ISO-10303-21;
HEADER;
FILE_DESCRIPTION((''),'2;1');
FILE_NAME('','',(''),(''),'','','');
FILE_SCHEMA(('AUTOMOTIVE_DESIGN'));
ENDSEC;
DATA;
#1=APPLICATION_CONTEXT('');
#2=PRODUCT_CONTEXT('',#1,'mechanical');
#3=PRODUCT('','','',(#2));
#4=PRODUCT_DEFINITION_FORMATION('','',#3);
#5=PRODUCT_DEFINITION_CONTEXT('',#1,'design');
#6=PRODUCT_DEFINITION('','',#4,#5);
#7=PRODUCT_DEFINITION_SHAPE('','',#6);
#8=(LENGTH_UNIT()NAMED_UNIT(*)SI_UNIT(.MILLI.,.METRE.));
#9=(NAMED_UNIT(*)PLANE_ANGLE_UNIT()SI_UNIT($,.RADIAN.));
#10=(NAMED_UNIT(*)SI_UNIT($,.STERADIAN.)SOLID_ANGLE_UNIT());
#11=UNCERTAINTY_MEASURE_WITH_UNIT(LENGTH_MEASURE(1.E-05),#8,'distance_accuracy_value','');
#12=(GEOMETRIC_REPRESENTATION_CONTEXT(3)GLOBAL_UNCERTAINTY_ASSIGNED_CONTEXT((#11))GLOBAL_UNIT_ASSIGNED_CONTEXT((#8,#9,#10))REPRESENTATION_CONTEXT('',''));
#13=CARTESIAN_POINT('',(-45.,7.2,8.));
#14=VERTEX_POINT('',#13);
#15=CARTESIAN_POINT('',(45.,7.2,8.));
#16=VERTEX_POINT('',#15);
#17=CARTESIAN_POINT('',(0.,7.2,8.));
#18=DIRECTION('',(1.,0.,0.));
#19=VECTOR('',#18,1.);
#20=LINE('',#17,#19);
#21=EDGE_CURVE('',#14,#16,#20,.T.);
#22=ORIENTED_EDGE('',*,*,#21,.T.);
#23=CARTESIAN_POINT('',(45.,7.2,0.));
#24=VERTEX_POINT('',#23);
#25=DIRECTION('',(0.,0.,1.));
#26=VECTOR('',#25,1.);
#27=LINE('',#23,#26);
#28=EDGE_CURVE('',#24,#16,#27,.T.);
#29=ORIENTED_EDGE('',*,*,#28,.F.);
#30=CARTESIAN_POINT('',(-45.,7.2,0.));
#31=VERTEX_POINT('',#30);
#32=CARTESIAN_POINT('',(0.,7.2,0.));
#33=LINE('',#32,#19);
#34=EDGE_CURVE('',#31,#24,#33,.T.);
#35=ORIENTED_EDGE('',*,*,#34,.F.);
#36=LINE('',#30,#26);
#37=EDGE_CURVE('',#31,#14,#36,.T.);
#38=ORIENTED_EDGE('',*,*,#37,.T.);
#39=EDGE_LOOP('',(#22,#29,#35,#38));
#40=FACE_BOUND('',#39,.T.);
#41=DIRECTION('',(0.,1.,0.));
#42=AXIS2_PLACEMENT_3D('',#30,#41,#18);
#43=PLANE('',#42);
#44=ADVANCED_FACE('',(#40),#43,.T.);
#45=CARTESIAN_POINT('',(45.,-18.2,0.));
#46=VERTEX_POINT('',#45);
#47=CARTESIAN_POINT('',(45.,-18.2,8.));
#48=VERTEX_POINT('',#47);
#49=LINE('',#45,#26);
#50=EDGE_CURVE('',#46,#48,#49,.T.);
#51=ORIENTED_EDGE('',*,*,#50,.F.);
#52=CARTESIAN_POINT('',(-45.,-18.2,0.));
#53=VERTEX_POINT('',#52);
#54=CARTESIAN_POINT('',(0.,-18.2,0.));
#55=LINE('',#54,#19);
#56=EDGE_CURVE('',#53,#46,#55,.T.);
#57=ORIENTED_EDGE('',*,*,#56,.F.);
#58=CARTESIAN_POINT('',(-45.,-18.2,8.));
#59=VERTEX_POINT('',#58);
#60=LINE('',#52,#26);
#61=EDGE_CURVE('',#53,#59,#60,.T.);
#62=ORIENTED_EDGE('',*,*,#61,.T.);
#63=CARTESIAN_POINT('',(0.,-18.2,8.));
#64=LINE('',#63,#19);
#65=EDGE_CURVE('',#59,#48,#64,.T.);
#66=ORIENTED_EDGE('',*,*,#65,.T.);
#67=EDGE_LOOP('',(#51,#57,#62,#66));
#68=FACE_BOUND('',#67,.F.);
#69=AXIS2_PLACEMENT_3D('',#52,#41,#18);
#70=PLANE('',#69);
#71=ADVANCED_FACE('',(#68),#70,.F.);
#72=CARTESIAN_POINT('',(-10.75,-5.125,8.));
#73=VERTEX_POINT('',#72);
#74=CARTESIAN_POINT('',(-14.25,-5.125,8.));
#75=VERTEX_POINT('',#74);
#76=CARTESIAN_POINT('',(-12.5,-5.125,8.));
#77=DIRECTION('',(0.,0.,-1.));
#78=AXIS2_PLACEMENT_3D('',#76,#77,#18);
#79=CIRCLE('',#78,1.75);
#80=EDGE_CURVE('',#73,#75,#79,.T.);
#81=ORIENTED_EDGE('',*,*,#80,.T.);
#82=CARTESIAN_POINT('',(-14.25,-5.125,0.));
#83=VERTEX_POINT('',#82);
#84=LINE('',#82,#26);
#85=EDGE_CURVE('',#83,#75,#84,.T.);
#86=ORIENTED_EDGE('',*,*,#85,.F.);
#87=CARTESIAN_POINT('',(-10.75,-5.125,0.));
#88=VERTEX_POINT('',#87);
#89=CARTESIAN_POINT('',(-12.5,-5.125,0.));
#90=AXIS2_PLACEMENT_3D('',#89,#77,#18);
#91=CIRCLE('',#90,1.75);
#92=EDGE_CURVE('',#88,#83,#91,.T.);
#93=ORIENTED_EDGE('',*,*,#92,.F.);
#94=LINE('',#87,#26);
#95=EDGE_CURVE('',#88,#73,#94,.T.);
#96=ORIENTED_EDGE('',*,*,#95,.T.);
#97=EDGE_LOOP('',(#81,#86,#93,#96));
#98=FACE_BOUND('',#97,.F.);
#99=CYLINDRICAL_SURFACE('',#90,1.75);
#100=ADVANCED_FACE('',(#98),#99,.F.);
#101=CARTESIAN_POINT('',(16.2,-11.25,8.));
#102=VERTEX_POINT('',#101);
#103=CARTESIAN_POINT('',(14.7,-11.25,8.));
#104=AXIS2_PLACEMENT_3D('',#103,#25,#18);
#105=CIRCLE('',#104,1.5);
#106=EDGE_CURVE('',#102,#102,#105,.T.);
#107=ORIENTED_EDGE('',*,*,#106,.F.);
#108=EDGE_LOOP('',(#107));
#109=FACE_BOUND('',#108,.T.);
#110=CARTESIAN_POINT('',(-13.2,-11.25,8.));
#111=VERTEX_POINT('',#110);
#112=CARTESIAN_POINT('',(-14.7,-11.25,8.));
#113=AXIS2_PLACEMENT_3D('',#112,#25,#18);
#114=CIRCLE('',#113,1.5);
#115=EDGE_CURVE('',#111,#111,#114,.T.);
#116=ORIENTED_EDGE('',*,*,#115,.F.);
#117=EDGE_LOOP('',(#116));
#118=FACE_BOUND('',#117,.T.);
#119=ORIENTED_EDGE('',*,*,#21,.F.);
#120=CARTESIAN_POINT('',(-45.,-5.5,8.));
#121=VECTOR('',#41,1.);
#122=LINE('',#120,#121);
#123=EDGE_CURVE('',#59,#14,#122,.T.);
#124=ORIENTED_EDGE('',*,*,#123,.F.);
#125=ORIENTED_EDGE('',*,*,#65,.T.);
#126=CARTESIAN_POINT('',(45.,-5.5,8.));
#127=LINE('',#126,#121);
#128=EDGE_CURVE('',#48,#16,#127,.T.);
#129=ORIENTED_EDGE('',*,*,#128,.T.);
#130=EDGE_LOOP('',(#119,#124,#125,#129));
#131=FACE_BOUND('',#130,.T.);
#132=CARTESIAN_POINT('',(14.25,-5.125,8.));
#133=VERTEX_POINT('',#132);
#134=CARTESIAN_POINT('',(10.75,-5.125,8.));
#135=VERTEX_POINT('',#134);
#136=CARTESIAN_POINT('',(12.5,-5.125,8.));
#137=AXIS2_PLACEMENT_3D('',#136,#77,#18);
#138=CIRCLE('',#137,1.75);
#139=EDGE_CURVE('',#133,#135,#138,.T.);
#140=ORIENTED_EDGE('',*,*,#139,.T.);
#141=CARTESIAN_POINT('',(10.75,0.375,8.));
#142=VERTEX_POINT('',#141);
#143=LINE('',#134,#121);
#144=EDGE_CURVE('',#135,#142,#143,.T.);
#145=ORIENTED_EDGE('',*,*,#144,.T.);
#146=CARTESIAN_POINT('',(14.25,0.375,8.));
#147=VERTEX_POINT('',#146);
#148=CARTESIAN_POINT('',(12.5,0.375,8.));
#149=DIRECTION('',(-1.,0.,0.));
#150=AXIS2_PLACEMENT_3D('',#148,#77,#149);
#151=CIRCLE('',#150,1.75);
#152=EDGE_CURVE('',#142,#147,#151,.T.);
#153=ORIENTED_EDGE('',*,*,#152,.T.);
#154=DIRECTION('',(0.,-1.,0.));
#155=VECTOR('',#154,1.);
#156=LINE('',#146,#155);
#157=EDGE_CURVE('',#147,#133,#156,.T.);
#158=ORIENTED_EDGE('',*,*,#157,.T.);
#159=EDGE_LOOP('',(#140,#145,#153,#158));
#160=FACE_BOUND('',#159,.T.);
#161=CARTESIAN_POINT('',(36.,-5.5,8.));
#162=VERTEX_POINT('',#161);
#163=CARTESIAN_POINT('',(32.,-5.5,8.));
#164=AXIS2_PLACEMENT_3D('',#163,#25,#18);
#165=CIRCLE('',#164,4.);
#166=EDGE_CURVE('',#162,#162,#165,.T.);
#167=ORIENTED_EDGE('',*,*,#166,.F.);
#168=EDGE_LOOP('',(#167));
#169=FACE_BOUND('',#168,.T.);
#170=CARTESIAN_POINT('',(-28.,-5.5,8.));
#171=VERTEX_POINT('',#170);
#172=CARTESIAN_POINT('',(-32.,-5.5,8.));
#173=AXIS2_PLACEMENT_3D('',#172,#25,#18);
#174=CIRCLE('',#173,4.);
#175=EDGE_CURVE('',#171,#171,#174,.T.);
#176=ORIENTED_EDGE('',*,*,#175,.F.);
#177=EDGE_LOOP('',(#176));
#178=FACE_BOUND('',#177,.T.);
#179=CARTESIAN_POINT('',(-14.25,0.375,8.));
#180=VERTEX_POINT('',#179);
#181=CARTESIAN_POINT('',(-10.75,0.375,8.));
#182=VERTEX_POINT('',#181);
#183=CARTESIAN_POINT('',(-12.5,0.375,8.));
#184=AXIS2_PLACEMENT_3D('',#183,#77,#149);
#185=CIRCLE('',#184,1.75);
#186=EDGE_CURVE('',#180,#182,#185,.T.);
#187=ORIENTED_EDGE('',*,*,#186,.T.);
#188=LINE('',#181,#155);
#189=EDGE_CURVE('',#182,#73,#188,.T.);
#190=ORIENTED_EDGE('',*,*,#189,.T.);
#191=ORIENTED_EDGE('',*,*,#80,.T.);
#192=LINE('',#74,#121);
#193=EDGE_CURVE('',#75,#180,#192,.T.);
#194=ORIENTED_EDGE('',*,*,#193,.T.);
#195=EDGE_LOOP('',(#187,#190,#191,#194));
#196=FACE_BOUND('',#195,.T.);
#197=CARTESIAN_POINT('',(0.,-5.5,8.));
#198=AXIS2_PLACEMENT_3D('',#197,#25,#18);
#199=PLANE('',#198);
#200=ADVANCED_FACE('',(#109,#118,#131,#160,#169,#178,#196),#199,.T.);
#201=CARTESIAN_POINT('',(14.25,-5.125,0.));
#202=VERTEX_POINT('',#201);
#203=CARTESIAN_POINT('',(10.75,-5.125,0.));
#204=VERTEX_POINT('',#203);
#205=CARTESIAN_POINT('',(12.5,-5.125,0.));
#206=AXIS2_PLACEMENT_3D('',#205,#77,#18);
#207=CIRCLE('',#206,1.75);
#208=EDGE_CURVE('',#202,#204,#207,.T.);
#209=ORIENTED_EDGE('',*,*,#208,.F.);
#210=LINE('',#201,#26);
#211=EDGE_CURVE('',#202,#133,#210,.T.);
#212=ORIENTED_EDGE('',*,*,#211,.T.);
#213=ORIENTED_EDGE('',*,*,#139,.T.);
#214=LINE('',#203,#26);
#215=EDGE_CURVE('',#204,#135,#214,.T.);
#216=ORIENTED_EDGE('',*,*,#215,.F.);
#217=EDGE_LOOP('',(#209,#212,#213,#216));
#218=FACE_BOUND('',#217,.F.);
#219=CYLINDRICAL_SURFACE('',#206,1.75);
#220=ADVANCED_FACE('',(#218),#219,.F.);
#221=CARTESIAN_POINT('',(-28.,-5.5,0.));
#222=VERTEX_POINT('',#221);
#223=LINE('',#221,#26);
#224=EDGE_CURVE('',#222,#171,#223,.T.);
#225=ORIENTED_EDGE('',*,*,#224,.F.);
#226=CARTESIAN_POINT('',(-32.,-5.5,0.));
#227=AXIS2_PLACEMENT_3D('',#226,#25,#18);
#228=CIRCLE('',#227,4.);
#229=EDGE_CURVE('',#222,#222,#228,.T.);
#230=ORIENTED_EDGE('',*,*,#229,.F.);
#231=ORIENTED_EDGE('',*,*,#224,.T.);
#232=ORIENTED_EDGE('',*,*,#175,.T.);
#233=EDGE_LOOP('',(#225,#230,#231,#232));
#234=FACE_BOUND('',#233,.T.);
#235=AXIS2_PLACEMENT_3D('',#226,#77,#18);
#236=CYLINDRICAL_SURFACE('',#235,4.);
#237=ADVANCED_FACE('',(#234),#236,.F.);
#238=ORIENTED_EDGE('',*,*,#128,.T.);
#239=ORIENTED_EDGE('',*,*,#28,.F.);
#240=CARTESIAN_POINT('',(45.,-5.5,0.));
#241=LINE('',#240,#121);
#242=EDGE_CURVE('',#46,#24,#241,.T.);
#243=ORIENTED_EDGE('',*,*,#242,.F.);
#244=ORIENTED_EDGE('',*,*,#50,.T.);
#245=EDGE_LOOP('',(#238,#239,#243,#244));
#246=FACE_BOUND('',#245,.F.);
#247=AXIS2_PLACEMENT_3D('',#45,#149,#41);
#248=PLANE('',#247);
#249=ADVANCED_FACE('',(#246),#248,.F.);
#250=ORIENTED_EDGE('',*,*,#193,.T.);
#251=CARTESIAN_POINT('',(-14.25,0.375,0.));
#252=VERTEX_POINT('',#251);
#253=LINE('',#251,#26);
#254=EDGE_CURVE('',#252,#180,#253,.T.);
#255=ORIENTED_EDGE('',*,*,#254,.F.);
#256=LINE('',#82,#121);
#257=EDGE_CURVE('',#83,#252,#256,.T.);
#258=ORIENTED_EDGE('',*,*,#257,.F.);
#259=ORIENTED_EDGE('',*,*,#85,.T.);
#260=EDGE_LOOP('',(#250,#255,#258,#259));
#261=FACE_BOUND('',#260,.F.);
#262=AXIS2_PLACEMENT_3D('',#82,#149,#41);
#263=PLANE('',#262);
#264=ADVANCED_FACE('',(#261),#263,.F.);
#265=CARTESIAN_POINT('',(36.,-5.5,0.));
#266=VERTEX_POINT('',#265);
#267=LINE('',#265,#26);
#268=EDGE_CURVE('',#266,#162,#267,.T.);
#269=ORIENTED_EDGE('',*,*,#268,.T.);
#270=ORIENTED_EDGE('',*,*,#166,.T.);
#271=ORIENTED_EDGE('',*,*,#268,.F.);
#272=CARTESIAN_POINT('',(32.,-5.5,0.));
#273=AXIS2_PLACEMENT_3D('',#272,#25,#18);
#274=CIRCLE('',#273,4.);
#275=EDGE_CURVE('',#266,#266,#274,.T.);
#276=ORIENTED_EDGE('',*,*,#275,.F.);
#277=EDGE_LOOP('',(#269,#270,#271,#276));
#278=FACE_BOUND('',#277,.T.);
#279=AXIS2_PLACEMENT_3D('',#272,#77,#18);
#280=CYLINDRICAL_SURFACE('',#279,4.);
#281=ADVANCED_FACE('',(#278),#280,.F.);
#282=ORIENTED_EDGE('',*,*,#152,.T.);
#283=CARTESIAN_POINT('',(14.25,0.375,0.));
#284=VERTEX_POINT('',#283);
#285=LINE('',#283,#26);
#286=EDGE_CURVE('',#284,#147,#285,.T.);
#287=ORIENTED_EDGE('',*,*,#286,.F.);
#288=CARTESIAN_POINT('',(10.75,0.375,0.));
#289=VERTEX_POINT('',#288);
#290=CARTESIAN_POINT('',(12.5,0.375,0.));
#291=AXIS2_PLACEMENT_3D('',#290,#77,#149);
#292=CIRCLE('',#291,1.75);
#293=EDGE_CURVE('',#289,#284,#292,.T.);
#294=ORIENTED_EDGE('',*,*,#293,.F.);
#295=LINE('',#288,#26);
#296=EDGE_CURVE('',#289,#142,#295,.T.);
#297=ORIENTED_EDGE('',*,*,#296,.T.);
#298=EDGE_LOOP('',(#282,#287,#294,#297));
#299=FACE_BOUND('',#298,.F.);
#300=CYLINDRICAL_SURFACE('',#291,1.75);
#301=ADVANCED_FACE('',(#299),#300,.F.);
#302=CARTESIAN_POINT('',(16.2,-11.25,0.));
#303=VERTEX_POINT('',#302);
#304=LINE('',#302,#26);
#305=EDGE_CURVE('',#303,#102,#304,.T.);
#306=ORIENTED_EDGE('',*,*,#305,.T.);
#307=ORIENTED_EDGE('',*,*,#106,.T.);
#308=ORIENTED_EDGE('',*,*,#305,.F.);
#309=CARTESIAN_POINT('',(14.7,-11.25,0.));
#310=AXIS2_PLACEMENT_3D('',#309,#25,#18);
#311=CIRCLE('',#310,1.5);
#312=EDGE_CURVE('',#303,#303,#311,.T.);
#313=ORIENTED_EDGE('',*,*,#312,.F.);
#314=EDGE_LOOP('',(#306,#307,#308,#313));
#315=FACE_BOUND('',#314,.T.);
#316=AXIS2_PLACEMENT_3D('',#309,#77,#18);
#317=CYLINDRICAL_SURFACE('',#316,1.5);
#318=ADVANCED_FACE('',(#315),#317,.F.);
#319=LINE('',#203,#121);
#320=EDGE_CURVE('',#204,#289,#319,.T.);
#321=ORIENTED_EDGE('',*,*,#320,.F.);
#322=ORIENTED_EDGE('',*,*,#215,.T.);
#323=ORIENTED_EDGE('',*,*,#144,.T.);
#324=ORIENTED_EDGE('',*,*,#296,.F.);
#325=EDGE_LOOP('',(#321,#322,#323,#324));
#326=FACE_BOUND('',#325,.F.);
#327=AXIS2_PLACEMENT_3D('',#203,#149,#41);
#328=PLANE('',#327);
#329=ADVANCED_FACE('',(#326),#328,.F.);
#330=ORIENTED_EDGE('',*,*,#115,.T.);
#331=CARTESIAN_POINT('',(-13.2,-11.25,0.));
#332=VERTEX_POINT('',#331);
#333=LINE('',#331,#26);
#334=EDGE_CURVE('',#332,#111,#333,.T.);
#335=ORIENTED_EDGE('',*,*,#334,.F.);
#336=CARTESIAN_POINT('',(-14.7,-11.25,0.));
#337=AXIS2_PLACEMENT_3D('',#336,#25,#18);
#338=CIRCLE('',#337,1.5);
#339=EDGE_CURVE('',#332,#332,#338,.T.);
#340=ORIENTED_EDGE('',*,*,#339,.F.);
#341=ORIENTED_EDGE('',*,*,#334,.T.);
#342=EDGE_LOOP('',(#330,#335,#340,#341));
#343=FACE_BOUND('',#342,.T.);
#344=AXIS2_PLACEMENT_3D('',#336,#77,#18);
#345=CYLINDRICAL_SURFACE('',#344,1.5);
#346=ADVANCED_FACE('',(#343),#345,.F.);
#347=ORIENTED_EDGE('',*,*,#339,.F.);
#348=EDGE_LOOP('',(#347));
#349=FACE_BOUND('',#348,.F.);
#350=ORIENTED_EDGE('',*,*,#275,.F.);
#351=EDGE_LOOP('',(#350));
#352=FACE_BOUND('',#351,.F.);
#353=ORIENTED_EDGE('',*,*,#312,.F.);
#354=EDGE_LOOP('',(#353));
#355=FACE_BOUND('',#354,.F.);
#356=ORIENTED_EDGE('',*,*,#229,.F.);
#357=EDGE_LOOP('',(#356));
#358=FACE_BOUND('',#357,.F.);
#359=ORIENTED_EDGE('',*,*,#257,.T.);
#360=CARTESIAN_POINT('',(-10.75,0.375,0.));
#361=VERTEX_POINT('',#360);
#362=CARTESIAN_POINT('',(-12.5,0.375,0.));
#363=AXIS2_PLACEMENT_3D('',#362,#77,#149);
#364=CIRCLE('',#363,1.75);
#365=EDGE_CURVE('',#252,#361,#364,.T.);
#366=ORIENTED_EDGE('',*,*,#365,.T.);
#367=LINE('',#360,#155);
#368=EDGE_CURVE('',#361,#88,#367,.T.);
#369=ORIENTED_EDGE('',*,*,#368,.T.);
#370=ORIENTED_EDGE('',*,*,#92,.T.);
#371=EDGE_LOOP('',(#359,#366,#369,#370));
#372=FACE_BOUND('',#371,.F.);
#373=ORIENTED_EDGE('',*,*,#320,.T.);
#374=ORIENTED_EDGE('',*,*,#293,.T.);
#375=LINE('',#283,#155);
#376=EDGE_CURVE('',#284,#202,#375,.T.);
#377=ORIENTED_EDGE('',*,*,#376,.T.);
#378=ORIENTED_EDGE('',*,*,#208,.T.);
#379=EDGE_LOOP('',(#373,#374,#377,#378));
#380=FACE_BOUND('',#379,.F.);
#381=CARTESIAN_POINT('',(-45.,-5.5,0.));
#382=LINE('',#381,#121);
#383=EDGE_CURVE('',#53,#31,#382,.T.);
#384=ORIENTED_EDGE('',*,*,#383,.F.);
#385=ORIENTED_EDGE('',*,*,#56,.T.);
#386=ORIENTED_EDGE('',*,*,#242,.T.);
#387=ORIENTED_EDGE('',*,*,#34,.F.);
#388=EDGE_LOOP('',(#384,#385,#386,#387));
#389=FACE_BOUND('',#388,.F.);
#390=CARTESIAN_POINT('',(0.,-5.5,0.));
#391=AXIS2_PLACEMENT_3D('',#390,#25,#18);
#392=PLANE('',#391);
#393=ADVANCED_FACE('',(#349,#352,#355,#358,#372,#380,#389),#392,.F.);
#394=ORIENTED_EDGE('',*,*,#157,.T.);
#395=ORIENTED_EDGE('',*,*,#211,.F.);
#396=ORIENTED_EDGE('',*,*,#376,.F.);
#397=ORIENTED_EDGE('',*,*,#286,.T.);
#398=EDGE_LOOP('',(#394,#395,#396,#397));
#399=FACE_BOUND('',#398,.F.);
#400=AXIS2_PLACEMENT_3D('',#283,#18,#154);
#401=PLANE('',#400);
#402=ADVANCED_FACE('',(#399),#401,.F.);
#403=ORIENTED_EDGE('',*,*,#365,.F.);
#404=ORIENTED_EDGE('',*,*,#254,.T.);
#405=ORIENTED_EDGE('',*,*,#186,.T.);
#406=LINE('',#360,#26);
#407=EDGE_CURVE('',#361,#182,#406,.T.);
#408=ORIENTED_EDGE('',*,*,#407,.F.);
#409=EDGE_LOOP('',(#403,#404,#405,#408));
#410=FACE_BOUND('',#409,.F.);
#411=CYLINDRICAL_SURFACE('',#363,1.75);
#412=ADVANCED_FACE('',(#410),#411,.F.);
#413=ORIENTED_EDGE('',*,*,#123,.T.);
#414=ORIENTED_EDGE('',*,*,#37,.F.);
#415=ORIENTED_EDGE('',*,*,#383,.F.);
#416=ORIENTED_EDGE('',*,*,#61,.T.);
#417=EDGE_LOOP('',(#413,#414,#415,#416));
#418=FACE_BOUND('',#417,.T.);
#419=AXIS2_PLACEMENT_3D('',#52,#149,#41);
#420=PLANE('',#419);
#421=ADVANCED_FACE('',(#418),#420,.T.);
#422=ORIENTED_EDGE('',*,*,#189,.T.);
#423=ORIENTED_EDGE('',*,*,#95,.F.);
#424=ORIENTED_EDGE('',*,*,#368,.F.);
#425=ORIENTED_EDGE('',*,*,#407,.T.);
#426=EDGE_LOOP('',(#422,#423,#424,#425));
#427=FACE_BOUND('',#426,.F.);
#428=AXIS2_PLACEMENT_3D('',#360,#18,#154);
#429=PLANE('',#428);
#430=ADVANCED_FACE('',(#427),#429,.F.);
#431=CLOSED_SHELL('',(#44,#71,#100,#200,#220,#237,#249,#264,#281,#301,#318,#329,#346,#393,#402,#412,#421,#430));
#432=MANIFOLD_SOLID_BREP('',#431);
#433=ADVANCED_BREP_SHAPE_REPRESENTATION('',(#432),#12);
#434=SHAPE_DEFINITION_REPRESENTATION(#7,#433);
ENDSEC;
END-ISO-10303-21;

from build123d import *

# Parameters (mm, degrees)
F0_W     = 90
F0_H     = 25.4
F0_R     = 4
F0_R_2   = 1.5
F1_DEPTH = 8


with BuildPart() as f1:
    # F0 (on Top) → F1 (new body)
    with BuildSketch(Plane.XY):
        with Locations((0, -5.5)):
            Rectangle(F0_W, F0_H)
        with Locations((-32, -5.5)):
            Circle(F0_R, mode=Mode.SUBTRACT)
        with Locations((-14.7, -11.25)):
            Circle(F0_R_2, mode=Mode.SUBTRACT)
        with Locations((14.7, -11.25)):
            Circle(F0_R_2, mode=Mode.SUBTRACT)
        with Locations((32, -5.5)):
            Circle(F0_R, mode=Mode.SUBTRACT)
        with BuildLine():
            ThreePointArc((-10.75, -5.125), (-12.5, -6.875), (-14.25, -5.125))
            Line((-14.25, -5.125), (-14.25, 0.375))
            ThreePointArc((-14.25, 0.375), (-12.5, 2.125), (-10.75, 0.375))
            Line((-10.75, 0.375), (-10.75, -5.125))
        make_face(mode=Mode.SUBTRACT)
        with BuildLine():
            Line((10.75, -5.125), (10.75, 0.375))
            ThreePointArc((10.75, 0.375), (12.5, 2.125), (14.25, 0.375))
            Line((14.25, 0.375), (14.25, -5.125))
            ThreePointArc((14.25, -5.125), (12.5, -6.875), (10.75, -5.125))
        make_face(mode=Mode.SUBTRACT)
    extrude(amount=F1_DEPTH)


solid = f1.part
